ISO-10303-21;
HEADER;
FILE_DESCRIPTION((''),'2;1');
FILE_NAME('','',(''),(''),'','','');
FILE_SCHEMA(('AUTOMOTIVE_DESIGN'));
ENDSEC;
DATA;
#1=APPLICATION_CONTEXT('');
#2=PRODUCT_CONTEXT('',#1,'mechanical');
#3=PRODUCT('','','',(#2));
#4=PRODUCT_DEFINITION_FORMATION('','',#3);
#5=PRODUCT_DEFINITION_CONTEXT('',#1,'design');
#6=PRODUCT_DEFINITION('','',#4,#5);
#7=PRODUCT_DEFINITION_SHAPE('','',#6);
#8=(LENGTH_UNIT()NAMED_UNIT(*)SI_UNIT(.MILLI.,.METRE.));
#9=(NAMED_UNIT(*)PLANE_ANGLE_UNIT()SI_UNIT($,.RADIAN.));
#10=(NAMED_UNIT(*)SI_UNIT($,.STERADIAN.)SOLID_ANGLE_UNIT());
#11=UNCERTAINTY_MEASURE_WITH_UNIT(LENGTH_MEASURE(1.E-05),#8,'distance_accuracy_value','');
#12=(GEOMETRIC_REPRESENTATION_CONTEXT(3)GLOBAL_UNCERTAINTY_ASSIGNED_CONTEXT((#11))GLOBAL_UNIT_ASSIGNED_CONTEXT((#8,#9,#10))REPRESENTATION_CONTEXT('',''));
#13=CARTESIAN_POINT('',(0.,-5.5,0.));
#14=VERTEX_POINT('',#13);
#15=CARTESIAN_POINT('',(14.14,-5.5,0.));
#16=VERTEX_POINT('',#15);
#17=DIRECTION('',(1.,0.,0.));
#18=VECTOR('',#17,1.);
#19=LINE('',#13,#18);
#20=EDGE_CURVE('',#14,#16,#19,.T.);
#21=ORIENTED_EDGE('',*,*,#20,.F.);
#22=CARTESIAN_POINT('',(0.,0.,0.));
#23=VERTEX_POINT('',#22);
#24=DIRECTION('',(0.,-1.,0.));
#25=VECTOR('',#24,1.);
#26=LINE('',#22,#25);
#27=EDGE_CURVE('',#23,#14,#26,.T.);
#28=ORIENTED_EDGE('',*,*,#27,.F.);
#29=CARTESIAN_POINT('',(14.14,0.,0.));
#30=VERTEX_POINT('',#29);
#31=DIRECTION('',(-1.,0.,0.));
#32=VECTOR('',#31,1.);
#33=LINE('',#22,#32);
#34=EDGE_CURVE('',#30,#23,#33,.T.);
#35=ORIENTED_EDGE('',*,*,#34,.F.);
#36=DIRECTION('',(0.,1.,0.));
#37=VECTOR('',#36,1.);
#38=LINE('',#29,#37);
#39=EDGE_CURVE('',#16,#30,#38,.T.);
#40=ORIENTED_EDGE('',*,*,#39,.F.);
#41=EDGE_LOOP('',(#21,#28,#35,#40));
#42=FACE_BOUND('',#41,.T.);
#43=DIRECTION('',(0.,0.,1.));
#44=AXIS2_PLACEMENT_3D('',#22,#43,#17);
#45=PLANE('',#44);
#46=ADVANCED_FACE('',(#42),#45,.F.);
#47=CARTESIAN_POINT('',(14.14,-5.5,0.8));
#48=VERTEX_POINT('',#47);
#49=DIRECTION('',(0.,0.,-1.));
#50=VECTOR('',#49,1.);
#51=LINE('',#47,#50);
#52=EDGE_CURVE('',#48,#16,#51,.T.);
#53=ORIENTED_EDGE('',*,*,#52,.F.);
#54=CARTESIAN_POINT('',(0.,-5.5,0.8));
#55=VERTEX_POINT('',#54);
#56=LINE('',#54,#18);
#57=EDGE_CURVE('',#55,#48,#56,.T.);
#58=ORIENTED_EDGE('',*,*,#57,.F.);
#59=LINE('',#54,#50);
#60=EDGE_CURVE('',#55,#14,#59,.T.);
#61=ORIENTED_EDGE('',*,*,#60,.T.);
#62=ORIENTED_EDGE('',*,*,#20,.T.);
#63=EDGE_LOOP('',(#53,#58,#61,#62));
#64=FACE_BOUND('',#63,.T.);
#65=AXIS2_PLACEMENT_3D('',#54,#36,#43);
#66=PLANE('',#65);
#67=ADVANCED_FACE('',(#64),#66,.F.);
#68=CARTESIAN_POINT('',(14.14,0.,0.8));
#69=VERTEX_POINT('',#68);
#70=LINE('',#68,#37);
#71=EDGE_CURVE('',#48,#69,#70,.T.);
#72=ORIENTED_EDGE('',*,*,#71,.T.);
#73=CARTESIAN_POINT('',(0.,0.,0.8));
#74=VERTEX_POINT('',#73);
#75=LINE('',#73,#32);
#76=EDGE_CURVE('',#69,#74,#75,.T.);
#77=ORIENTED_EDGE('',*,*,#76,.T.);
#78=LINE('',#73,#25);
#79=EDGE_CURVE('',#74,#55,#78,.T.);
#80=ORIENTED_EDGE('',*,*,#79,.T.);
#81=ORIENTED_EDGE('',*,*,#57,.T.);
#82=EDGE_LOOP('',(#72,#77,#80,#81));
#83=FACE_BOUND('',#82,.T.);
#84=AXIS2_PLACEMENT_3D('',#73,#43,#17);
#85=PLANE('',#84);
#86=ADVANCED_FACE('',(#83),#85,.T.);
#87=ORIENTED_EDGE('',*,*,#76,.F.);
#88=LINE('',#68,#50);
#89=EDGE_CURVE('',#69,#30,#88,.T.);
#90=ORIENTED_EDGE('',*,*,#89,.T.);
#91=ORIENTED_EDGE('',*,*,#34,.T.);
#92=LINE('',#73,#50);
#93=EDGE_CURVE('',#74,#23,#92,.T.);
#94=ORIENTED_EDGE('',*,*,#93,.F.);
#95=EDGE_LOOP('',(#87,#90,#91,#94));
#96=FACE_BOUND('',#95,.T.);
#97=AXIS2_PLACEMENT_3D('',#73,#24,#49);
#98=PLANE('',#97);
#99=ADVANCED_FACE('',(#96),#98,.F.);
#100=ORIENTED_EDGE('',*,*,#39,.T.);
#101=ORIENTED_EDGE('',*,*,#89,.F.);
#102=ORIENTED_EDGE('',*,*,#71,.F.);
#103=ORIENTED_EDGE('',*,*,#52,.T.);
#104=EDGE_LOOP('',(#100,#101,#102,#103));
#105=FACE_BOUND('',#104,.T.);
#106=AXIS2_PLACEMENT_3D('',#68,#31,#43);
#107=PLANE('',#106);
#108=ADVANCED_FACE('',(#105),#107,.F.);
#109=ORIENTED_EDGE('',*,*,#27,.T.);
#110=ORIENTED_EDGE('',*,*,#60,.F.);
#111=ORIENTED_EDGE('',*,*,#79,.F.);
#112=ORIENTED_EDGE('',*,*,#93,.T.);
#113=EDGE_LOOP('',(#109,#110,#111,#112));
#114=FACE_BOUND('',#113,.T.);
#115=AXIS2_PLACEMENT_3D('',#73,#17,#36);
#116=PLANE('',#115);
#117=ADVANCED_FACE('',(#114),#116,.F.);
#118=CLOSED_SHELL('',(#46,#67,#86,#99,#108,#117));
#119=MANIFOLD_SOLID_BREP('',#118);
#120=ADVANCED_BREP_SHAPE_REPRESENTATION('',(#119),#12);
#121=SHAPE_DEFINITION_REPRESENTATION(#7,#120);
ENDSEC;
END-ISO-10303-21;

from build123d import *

# Parameters (mm, degrees)
SKETCH_1_W      = 14.14
SKETCH_1_H      = 5.5
EXTRUDE_1_DEPTH = 0.8


with BuildPart() as part:
    # 草图1 → 凸台-拉伸1 (new body)
    with BuildSketch(Plane.XY):
        with Locations((7.07, -2.75)):
            Rectangle(SKETCH_1_W, SKETCH_1_H)
    extrude(amount=EXTRUDE_1_DEPTH)


solid = part.part
